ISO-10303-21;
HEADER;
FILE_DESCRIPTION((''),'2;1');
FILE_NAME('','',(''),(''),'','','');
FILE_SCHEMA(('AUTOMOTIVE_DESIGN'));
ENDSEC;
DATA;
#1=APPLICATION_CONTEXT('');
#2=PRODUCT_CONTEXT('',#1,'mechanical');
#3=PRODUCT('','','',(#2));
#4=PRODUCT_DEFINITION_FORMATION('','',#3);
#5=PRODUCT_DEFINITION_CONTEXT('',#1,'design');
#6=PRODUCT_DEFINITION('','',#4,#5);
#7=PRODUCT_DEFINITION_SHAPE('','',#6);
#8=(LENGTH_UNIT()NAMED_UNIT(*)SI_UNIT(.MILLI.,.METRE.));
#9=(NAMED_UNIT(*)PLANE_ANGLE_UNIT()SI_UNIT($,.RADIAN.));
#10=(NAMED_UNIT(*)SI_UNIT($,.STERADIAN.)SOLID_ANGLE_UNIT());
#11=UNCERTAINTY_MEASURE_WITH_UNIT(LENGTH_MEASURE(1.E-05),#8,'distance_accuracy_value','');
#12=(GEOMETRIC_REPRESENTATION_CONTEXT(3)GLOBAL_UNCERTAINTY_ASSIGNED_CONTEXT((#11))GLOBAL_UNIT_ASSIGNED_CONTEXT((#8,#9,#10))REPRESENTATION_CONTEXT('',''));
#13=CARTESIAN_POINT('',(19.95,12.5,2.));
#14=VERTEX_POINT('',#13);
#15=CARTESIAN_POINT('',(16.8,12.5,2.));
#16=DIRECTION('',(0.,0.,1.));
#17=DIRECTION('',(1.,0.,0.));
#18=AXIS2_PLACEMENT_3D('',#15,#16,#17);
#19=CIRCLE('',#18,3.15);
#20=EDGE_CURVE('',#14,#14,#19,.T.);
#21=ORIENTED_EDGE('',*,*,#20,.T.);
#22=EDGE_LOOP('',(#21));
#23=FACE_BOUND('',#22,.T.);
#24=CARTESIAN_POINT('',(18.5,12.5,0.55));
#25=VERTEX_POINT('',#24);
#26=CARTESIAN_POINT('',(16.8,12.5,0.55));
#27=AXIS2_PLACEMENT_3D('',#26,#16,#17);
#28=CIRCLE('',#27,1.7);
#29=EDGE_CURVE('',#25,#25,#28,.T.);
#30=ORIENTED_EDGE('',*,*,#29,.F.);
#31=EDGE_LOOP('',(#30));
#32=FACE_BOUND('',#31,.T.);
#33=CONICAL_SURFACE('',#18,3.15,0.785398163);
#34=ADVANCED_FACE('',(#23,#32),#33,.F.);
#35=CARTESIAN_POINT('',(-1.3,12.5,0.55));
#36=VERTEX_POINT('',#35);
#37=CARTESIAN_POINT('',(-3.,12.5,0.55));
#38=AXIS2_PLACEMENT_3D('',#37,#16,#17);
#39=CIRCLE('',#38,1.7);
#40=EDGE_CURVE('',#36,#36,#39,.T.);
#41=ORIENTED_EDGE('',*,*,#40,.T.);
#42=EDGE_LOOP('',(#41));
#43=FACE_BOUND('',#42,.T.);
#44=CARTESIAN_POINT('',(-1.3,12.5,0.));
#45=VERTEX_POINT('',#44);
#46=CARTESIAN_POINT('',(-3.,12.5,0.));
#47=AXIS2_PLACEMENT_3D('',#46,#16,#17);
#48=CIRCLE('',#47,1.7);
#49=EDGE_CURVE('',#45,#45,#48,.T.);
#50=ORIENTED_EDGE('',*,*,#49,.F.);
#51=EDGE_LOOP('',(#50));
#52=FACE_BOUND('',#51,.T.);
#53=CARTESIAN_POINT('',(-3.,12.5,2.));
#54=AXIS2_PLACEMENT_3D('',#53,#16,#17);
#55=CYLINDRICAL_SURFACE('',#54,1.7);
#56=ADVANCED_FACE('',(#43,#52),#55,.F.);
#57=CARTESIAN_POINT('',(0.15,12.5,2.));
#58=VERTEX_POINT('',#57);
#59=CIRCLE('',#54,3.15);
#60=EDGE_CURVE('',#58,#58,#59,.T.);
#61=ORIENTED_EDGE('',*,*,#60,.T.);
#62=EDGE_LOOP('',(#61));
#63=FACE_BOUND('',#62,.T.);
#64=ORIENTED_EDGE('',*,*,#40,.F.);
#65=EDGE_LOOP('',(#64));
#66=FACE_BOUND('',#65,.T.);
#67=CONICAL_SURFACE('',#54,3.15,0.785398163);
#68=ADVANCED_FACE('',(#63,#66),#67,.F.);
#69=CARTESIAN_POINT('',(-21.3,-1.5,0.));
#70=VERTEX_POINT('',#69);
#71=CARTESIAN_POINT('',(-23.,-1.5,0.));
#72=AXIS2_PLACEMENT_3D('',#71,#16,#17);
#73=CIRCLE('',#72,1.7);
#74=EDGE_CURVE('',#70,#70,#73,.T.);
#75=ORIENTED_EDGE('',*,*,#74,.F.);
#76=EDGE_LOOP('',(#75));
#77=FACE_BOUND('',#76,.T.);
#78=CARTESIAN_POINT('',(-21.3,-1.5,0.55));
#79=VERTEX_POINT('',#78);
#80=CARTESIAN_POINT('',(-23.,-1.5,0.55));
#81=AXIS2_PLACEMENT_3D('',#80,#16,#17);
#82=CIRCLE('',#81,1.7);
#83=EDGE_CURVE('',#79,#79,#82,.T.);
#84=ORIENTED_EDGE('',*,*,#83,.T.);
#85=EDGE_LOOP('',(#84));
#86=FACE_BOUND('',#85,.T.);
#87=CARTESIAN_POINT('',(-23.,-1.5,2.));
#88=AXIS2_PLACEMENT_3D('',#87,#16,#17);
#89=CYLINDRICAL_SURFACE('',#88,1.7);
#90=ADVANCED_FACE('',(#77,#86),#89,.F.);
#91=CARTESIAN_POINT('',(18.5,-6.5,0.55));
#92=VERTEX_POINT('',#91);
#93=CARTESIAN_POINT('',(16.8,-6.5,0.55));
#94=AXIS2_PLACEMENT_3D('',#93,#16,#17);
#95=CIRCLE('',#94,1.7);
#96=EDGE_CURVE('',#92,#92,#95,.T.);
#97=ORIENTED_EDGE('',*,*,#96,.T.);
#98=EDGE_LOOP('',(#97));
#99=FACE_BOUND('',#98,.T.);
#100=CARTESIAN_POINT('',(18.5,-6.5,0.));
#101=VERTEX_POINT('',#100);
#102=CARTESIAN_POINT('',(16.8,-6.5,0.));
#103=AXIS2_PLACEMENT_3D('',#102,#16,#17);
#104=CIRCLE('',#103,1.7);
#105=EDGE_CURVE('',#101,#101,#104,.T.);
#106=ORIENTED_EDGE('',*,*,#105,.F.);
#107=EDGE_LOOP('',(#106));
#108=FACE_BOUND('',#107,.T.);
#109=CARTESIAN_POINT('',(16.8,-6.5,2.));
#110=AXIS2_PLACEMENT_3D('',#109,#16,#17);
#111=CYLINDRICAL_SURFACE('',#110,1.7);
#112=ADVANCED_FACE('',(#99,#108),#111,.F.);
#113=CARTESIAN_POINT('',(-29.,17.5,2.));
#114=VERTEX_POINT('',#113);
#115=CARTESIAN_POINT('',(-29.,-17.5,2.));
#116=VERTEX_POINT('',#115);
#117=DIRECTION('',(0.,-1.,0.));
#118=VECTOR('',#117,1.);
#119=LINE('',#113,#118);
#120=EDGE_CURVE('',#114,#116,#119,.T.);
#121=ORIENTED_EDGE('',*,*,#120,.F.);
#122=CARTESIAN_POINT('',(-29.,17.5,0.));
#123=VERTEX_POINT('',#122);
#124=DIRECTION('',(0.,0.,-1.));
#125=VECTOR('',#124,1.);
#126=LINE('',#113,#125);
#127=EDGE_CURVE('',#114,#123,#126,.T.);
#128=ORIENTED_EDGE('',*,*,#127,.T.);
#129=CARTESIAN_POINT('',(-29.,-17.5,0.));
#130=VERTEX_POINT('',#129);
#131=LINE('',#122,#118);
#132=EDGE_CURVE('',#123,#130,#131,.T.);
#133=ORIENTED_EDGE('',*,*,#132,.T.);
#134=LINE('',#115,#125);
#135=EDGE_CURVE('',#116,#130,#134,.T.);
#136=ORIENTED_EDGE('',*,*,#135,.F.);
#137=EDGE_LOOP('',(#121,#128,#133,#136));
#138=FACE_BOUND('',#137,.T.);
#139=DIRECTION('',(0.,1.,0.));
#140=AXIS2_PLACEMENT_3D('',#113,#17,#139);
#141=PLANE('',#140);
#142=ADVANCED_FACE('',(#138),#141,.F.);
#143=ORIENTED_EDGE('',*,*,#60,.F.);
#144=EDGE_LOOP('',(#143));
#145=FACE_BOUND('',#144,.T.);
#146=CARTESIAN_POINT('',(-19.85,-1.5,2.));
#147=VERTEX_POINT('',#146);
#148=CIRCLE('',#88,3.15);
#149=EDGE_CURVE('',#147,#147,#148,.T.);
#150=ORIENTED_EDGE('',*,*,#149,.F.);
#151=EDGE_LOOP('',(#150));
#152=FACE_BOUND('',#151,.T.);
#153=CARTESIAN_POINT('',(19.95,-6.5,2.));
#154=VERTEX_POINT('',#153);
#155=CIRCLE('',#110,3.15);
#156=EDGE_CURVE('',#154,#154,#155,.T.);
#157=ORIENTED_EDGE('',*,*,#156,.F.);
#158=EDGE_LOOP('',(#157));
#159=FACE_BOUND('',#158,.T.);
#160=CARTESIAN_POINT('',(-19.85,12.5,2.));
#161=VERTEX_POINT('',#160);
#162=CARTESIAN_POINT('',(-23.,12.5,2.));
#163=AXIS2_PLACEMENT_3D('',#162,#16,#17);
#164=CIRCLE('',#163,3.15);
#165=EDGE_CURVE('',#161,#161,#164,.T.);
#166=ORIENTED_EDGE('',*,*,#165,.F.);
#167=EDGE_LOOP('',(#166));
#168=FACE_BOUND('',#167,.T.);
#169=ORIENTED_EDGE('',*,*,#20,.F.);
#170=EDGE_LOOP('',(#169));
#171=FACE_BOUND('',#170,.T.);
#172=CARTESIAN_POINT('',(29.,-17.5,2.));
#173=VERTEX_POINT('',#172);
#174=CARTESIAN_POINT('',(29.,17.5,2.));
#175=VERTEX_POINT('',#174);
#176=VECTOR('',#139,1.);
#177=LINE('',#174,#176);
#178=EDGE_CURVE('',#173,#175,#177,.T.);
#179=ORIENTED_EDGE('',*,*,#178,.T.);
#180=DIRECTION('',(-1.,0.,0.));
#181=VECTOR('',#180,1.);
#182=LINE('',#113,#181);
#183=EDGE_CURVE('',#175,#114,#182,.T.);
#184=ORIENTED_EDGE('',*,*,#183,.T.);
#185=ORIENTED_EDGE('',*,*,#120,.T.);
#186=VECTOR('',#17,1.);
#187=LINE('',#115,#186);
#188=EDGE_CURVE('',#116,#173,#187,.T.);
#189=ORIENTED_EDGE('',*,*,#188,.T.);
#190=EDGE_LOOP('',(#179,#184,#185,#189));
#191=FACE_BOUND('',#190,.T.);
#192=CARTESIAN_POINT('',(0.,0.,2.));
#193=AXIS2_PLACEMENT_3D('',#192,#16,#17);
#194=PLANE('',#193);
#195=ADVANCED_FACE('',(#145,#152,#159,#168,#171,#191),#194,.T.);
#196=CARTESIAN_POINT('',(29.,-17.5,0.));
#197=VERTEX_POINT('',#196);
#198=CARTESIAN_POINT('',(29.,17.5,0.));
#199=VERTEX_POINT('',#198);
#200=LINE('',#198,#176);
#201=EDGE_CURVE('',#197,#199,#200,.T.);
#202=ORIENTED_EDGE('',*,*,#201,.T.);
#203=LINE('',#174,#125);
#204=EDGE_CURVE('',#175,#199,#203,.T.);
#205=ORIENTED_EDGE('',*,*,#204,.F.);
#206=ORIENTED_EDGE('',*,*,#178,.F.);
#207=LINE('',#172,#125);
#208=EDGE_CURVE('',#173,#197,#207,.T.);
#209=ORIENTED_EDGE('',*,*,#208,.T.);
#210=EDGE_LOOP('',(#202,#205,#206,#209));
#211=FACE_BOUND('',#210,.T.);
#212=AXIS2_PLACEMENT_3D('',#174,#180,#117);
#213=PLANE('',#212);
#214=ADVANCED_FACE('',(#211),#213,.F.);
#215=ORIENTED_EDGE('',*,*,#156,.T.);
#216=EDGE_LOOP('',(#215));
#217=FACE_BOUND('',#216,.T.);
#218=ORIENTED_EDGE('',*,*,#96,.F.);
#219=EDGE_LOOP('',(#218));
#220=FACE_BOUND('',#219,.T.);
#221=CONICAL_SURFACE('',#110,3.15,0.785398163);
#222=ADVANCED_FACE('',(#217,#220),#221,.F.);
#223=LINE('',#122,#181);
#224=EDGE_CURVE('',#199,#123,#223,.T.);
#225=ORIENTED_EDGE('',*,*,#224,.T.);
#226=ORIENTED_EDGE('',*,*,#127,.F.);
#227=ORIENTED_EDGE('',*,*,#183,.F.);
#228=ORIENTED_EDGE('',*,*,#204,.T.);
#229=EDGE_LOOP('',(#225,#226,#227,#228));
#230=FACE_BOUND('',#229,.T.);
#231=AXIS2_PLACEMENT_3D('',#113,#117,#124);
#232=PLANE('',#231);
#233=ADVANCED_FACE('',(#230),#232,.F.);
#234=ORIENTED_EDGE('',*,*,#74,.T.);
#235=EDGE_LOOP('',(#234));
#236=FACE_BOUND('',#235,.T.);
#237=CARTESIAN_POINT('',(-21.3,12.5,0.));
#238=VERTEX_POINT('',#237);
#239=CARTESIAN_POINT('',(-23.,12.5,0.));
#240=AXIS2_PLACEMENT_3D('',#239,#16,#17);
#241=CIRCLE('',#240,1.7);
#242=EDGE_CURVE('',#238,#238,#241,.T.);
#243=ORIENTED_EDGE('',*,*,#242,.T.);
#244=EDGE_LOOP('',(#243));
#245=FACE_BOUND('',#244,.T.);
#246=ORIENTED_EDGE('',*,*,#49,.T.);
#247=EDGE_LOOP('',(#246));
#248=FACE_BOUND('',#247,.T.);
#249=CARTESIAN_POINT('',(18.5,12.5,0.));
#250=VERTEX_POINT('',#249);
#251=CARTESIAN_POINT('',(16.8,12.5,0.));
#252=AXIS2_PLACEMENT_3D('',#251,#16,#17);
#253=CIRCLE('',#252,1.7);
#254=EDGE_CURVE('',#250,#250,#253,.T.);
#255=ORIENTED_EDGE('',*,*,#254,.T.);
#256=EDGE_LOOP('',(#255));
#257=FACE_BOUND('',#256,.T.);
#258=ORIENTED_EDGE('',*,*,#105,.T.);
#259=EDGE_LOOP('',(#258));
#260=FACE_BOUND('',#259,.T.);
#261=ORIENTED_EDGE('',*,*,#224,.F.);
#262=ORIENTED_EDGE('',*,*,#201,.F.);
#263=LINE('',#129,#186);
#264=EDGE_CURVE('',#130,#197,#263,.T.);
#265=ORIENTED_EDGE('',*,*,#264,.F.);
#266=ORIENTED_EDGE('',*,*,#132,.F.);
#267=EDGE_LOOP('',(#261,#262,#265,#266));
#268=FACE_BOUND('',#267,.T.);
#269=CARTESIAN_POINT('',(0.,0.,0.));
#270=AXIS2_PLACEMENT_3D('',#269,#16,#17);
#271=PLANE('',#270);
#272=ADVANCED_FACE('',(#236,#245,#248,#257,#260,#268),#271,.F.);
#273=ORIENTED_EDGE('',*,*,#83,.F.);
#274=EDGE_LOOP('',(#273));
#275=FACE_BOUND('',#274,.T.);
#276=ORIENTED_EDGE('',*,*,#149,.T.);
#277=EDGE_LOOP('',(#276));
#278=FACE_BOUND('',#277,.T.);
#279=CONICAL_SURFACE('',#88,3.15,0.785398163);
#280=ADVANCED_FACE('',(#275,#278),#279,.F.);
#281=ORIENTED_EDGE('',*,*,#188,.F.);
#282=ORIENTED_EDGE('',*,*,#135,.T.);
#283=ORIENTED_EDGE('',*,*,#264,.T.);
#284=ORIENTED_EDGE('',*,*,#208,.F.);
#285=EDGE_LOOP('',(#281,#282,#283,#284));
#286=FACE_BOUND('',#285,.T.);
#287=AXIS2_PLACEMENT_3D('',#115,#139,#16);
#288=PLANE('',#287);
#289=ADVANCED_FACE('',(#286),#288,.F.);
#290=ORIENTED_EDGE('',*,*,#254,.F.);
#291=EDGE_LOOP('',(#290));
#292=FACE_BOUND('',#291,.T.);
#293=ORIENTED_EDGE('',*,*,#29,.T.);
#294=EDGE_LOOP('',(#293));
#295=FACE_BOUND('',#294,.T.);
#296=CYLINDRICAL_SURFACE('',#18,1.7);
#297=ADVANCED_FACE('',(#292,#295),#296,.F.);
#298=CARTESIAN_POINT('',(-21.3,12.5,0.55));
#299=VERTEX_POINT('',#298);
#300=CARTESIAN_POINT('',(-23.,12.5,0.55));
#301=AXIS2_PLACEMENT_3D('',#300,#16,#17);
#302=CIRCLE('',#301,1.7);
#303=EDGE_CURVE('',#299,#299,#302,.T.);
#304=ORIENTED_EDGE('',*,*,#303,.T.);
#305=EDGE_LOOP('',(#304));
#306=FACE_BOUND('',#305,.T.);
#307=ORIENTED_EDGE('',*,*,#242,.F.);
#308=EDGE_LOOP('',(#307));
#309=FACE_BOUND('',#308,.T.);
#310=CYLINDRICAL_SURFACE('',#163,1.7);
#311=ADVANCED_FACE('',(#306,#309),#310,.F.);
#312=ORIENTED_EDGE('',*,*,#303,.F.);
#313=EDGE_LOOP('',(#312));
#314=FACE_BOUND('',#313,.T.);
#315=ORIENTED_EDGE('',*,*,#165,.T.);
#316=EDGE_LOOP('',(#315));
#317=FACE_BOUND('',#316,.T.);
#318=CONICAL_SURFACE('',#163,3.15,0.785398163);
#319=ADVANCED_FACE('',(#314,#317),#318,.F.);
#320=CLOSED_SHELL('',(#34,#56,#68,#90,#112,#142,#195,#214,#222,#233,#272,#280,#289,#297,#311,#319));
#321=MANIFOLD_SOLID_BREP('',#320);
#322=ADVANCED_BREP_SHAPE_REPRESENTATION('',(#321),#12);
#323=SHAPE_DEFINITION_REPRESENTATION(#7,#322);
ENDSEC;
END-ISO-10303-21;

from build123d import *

# Parameters (mm, degrees)
SKETCH1_W                                    = 58
SKETCH1_H                                    = 35
BOSS_EXTRUDE1_DEPTH                          = 2
CSK_FOR_M3_FLAT_COUNTERSUNK_HEAD_SCR_2_COUNT = 2
CSK_FOR_M3_FLAT_COUNTERSUNK_HEAD_SCR_2_PITCH = 20
CSK_FOR_M3_FLAT_COUNTERSUNK_HEAD_SCR_3_COUNT = 2
CSK_FOR_M3_FLAT_COUNTERSUNK_HEAD_SCR_3_PITCH = 39.8
CSK_FOR_M3_FLAT_COUNTERSUNK_HEAD_SCR_4_COUNT = 2
CSK_FOR_M3_FLAT_COUNTERSUNK_HEAD_SCR_4_PITCH = 44.102607633
CSK_FOR_M3_FLAT_COUNTERSUNK_HEAD_SCR_5_COUNT = 2
CSK_FOR_M3_FLAT_COUNTERSUNK_HEAD_SCR_5_PITCH = 14


with BuildPart() as part:
    # Sketch1 → Boss-Extrude1 (new body)
    with BuildSketch(Plane.XY):
        Rectangle(SKETCH1_W, SKETCH1_H)
    extrude(amount=BOSS_EXTRUDE1_DEPTH)

    # Sketch3 → CSK for M3 Flat Countersunk Head Screw1 (revolve, cut)
    with BuildSketch(Plane(origin=(-23, 12.5, 2), x_dir=(0, -1, 0), z_dir=(1, 0, 0))):
        Polygon((0, 0), (0, 2), (1.7, 2), (1.7, 1.45), (3.15, 0), align=None)
    csk_for_m3_flat_countersunk_head_screw1 = revolve(axis=Axis((-23, 12.5, 8.35), (0, 0, -1)), mode=Mode.SUBTRACT)

    # CSK for M3 Flat Countersunk Head Scr 2: CSK for M3 Flat Countersunk Head Screw1 ×2
    with Locations(*[(i * CSK_FOR_M3_FLAT_COUNTERSUNK_HEAD_SCR_2_PITCH, 0, 0) for i in range(1, CSK_FOR_M3_FLAT_COUNTERSUNK_HEAD_SCR_2_COUNT)]):
        add(csk_for_m3_flat_countersunk_head_screw1, mode=Mode.SUBTRACT)

    # CSK for M3 Flat Countersunk Head Scr 3: CSK for M3 Flat Countersunk Head Screw1 ×2
    with Locations(*[(i * CSK_FOR_M3_FLAT_COUNTERSUNK_HEAD_SCR_3_PITCH, 0, 0) for i in range(1, CSK_FOR_M3_FLAT_COUNTERSUNK_HEAD_SCR_3_COUNT)]):
        add(csk_for_m3_flat_countersunk_head_screw1, mode=Mode.SUBTRACT)

    # CSK for M3 Flat Countersunk Head Scr 4: CSK for M3 Flat Countersunk Head Screw1 ×2
    with Locations(*[Vector(0.90244097, -0.430813528, 0) * (i * CSK_FOR_M3_FLAT_COUNTERSUNK_HEAD_SCR_4_PITCH) for i in range(1, CSK_FOR_M3_FLAT_COUNTERSUNK_HEAD_SCR_4_COUNT)]):
        add(csk_for_m3_flat_countersunk_head_screw1, mode=Mode.SUBTRACT)

    # CSK for M3 Flat Countersunk Head Scr 5: CSK for M3 Flat Countersunk Head Screw1 ×2
    with Locations(*[(0, -i * CSK_FOR_M3_FLAT_COUNTERSUNK_HEAD_SCR_5_PITCH, 0) for i in range(1, CSK_FOR_M3_FLAT_COUNTERSUNK_HEAD_SCR_5_COUNT)]):
        add(csk_for_m3_flat_countersunk_head_screw1, mode=Mode.SUBTRACT)


solid = part.part
